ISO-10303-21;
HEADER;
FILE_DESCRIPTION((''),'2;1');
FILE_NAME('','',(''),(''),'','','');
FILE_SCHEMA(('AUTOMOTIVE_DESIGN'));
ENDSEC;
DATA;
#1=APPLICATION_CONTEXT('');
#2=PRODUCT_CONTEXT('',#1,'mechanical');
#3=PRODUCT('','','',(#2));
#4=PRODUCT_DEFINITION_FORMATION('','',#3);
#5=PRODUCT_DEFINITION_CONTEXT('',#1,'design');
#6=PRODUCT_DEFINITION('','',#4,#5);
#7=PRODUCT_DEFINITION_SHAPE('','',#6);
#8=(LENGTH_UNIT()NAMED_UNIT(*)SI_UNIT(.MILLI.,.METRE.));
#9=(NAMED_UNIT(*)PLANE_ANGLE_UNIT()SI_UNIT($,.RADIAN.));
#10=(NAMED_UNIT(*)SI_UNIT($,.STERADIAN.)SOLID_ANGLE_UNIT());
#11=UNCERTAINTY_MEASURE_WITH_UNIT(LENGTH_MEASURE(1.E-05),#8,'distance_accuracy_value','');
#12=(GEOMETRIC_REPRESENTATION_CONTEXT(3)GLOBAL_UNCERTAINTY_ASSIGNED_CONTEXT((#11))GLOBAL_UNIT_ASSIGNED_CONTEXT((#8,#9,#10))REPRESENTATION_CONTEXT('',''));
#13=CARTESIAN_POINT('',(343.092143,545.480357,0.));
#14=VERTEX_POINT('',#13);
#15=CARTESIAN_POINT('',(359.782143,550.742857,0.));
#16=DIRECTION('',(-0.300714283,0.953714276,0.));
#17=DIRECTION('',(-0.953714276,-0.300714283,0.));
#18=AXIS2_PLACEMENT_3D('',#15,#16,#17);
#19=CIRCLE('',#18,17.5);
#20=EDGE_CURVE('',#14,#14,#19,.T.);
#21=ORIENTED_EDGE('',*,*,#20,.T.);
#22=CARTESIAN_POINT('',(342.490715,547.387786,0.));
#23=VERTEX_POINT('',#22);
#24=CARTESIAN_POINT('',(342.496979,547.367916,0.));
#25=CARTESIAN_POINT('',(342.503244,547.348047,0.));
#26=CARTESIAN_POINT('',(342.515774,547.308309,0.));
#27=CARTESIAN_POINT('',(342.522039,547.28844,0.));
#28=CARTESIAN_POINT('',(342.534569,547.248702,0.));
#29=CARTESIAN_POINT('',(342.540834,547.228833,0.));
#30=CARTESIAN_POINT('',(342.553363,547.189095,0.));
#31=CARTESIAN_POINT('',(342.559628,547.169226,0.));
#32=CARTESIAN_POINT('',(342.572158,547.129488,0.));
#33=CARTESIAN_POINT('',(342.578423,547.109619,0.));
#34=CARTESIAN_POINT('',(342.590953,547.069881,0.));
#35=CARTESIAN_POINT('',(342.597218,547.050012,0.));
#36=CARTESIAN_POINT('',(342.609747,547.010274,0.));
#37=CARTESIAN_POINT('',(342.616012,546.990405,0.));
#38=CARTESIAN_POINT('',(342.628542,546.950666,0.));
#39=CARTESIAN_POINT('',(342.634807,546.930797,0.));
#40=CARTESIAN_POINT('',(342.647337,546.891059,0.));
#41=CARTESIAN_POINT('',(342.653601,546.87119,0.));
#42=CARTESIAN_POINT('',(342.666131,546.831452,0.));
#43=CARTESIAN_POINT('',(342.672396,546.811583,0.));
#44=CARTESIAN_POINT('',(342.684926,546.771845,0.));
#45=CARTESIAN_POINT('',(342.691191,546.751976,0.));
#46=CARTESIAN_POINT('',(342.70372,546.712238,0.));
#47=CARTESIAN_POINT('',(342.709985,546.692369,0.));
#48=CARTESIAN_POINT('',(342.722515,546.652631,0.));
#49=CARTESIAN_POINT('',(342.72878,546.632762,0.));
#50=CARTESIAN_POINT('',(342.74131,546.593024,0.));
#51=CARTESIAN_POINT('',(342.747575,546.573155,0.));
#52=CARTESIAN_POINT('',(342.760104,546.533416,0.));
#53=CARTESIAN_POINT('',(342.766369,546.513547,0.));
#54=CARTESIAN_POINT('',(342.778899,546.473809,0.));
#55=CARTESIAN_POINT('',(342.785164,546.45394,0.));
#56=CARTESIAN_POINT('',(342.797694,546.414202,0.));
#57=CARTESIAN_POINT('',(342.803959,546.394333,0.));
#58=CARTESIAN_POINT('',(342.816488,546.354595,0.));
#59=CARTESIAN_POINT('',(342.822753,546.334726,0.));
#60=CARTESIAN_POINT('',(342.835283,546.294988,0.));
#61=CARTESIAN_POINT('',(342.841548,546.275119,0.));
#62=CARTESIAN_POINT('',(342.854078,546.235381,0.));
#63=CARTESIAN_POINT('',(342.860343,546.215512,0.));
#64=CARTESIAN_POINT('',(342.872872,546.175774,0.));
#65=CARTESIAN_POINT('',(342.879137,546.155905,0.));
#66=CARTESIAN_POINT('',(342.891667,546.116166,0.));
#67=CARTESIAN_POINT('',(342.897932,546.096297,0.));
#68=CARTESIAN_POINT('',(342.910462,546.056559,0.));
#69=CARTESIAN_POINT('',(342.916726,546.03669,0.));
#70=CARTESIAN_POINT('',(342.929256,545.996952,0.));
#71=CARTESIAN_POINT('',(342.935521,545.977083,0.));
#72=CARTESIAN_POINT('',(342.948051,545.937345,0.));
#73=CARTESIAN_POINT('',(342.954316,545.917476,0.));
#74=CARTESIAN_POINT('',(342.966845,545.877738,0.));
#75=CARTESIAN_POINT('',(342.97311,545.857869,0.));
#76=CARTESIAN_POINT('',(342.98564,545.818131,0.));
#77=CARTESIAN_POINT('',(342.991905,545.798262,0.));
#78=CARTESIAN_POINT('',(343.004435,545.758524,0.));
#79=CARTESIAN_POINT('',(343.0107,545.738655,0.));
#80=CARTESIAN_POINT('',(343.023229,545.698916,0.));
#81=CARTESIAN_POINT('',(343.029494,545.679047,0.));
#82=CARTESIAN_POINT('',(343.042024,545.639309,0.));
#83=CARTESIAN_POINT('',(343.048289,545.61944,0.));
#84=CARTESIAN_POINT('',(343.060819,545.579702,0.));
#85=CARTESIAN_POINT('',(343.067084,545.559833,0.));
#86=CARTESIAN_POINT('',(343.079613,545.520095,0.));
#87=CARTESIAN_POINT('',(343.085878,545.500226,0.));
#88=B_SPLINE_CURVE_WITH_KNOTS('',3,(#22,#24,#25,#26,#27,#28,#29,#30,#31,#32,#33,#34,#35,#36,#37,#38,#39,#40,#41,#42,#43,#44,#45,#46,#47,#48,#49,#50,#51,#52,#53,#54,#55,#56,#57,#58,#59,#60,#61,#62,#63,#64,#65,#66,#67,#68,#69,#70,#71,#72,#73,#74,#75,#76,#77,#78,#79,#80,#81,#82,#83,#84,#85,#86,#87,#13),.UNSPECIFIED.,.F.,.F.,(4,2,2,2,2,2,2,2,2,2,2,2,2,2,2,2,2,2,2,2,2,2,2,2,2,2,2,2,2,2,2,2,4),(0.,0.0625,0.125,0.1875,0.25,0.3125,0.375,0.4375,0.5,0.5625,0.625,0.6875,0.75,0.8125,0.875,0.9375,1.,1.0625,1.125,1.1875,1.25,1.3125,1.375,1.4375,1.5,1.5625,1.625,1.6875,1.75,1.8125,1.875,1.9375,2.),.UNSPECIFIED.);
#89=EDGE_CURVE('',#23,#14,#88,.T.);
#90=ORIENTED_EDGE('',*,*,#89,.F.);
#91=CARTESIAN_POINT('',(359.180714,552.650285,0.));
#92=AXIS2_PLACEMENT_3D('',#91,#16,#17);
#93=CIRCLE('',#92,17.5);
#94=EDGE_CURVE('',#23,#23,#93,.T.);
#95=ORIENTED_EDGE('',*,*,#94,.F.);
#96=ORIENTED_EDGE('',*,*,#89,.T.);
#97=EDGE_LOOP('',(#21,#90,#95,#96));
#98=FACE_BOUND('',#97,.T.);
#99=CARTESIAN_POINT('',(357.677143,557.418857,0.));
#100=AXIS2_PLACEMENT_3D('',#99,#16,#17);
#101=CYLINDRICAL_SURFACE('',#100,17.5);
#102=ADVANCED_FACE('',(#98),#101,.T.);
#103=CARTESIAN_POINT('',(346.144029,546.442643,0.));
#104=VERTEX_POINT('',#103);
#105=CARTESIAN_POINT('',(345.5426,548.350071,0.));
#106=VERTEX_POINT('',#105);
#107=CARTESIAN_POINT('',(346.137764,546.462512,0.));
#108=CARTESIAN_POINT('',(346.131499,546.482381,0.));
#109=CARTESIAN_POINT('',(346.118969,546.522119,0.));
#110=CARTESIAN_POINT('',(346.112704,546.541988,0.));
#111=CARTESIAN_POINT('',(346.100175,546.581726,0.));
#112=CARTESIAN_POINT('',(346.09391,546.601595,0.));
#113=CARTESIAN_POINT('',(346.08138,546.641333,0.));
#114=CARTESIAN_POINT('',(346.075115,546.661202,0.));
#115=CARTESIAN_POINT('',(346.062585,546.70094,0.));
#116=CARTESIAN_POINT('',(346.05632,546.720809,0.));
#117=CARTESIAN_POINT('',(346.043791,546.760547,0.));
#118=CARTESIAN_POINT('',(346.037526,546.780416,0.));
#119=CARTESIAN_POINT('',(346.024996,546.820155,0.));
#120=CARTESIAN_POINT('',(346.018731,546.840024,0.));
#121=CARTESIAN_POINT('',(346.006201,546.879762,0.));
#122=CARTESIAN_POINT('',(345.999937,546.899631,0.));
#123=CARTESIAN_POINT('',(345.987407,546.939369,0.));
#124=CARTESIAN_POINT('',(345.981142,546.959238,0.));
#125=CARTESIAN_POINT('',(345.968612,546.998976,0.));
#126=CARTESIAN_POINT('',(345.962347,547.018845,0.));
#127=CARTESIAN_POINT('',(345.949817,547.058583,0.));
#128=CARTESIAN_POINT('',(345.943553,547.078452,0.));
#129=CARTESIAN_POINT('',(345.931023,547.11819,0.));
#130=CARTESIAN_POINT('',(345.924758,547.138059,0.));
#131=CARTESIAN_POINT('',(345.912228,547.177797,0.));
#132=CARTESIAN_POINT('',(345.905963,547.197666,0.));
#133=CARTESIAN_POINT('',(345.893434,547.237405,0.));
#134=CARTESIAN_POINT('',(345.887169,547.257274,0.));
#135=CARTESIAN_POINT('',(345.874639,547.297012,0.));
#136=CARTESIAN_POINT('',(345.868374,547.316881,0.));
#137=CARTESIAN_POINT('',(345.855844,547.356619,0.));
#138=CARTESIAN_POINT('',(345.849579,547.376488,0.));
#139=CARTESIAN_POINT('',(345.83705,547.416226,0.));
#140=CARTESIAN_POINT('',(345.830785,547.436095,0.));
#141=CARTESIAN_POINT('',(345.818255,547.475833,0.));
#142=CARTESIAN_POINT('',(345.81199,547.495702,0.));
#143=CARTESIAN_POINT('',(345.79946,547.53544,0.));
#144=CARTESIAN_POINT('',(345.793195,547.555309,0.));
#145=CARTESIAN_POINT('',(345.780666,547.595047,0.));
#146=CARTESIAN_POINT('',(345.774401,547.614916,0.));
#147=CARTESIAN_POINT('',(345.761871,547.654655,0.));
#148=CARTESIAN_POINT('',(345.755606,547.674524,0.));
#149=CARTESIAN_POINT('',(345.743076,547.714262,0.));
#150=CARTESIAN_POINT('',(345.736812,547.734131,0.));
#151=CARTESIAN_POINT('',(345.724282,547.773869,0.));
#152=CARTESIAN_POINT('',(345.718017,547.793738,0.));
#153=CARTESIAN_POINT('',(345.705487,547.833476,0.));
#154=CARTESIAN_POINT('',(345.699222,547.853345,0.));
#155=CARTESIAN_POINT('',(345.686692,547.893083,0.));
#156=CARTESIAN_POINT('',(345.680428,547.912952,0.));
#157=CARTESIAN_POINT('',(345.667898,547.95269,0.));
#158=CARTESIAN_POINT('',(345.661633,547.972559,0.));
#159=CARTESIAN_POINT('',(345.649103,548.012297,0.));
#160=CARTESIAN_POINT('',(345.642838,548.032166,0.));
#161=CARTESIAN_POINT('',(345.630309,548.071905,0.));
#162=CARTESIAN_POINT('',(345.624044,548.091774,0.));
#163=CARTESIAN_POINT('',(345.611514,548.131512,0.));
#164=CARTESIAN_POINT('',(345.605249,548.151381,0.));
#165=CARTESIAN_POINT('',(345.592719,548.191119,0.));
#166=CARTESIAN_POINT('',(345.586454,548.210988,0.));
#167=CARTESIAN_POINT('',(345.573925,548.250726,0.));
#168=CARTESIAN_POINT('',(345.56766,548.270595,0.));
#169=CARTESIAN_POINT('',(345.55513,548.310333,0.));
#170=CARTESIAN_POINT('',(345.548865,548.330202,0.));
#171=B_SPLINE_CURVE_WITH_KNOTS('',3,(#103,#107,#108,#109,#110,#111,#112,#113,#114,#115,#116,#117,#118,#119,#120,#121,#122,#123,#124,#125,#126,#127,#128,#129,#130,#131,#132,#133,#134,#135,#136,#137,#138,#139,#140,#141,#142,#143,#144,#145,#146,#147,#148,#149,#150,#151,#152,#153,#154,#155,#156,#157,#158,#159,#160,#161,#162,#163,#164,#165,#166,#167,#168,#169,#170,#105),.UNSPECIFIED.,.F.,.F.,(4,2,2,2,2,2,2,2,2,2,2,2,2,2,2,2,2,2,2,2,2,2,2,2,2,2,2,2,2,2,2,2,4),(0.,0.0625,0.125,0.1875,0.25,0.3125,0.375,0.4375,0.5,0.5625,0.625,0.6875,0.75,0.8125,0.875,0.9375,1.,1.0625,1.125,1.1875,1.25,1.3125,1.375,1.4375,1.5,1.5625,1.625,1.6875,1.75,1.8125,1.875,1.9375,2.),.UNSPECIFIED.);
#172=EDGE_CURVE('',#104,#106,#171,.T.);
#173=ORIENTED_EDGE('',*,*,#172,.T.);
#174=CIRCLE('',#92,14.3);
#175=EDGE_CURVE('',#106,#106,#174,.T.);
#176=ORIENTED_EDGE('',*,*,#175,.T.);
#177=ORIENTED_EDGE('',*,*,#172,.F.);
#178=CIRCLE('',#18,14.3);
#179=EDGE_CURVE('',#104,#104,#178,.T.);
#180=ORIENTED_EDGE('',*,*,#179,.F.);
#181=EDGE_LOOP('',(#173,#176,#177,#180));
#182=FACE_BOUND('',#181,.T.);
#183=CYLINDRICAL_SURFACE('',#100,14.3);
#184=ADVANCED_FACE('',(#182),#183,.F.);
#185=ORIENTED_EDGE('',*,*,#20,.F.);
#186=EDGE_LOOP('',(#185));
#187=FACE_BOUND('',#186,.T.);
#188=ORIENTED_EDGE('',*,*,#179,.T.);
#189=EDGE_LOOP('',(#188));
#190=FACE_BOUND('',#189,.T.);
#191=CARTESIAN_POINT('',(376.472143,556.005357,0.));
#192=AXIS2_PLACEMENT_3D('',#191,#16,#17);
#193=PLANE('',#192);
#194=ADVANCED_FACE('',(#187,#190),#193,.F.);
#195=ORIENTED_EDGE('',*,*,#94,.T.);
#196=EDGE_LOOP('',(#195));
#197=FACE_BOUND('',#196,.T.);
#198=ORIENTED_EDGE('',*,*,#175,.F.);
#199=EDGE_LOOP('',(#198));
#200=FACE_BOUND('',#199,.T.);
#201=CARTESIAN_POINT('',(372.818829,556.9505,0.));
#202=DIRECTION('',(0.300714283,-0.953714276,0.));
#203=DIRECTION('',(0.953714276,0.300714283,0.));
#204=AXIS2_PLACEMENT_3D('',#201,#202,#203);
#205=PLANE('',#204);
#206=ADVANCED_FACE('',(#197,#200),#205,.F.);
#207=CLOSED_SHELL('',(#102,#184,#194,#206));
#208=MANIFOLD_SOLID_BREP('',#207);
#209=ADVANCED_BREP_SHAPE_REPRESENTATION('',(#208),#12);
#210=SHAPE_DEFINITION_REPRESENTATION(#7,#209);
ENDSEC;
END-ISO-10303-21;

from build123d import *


with BuildPart() as part:
    # Sk_Arandela → Arandela (revolve)
    with BuildSketch(Plane.XY, mode=Mode.PRIVATE) as arandela_sk:
        Polygon((372.818828515, 556.950499693), (375.870714198, 557.912785398), (376.472142764, 556.005356846), (373.42025708, 555.043071141), align=None)
    revolve(arandela_sk.sketch.rotate(Axis((357.677142955, 557.418856831, 0), (0.3007142826457737, -0.9537142759825071, 0)), 180), axis=Axis((357.677142955, 557.418856831, 0), (0.3007142826457737, -0.9537142759825071, 0)))


solid = part.part
